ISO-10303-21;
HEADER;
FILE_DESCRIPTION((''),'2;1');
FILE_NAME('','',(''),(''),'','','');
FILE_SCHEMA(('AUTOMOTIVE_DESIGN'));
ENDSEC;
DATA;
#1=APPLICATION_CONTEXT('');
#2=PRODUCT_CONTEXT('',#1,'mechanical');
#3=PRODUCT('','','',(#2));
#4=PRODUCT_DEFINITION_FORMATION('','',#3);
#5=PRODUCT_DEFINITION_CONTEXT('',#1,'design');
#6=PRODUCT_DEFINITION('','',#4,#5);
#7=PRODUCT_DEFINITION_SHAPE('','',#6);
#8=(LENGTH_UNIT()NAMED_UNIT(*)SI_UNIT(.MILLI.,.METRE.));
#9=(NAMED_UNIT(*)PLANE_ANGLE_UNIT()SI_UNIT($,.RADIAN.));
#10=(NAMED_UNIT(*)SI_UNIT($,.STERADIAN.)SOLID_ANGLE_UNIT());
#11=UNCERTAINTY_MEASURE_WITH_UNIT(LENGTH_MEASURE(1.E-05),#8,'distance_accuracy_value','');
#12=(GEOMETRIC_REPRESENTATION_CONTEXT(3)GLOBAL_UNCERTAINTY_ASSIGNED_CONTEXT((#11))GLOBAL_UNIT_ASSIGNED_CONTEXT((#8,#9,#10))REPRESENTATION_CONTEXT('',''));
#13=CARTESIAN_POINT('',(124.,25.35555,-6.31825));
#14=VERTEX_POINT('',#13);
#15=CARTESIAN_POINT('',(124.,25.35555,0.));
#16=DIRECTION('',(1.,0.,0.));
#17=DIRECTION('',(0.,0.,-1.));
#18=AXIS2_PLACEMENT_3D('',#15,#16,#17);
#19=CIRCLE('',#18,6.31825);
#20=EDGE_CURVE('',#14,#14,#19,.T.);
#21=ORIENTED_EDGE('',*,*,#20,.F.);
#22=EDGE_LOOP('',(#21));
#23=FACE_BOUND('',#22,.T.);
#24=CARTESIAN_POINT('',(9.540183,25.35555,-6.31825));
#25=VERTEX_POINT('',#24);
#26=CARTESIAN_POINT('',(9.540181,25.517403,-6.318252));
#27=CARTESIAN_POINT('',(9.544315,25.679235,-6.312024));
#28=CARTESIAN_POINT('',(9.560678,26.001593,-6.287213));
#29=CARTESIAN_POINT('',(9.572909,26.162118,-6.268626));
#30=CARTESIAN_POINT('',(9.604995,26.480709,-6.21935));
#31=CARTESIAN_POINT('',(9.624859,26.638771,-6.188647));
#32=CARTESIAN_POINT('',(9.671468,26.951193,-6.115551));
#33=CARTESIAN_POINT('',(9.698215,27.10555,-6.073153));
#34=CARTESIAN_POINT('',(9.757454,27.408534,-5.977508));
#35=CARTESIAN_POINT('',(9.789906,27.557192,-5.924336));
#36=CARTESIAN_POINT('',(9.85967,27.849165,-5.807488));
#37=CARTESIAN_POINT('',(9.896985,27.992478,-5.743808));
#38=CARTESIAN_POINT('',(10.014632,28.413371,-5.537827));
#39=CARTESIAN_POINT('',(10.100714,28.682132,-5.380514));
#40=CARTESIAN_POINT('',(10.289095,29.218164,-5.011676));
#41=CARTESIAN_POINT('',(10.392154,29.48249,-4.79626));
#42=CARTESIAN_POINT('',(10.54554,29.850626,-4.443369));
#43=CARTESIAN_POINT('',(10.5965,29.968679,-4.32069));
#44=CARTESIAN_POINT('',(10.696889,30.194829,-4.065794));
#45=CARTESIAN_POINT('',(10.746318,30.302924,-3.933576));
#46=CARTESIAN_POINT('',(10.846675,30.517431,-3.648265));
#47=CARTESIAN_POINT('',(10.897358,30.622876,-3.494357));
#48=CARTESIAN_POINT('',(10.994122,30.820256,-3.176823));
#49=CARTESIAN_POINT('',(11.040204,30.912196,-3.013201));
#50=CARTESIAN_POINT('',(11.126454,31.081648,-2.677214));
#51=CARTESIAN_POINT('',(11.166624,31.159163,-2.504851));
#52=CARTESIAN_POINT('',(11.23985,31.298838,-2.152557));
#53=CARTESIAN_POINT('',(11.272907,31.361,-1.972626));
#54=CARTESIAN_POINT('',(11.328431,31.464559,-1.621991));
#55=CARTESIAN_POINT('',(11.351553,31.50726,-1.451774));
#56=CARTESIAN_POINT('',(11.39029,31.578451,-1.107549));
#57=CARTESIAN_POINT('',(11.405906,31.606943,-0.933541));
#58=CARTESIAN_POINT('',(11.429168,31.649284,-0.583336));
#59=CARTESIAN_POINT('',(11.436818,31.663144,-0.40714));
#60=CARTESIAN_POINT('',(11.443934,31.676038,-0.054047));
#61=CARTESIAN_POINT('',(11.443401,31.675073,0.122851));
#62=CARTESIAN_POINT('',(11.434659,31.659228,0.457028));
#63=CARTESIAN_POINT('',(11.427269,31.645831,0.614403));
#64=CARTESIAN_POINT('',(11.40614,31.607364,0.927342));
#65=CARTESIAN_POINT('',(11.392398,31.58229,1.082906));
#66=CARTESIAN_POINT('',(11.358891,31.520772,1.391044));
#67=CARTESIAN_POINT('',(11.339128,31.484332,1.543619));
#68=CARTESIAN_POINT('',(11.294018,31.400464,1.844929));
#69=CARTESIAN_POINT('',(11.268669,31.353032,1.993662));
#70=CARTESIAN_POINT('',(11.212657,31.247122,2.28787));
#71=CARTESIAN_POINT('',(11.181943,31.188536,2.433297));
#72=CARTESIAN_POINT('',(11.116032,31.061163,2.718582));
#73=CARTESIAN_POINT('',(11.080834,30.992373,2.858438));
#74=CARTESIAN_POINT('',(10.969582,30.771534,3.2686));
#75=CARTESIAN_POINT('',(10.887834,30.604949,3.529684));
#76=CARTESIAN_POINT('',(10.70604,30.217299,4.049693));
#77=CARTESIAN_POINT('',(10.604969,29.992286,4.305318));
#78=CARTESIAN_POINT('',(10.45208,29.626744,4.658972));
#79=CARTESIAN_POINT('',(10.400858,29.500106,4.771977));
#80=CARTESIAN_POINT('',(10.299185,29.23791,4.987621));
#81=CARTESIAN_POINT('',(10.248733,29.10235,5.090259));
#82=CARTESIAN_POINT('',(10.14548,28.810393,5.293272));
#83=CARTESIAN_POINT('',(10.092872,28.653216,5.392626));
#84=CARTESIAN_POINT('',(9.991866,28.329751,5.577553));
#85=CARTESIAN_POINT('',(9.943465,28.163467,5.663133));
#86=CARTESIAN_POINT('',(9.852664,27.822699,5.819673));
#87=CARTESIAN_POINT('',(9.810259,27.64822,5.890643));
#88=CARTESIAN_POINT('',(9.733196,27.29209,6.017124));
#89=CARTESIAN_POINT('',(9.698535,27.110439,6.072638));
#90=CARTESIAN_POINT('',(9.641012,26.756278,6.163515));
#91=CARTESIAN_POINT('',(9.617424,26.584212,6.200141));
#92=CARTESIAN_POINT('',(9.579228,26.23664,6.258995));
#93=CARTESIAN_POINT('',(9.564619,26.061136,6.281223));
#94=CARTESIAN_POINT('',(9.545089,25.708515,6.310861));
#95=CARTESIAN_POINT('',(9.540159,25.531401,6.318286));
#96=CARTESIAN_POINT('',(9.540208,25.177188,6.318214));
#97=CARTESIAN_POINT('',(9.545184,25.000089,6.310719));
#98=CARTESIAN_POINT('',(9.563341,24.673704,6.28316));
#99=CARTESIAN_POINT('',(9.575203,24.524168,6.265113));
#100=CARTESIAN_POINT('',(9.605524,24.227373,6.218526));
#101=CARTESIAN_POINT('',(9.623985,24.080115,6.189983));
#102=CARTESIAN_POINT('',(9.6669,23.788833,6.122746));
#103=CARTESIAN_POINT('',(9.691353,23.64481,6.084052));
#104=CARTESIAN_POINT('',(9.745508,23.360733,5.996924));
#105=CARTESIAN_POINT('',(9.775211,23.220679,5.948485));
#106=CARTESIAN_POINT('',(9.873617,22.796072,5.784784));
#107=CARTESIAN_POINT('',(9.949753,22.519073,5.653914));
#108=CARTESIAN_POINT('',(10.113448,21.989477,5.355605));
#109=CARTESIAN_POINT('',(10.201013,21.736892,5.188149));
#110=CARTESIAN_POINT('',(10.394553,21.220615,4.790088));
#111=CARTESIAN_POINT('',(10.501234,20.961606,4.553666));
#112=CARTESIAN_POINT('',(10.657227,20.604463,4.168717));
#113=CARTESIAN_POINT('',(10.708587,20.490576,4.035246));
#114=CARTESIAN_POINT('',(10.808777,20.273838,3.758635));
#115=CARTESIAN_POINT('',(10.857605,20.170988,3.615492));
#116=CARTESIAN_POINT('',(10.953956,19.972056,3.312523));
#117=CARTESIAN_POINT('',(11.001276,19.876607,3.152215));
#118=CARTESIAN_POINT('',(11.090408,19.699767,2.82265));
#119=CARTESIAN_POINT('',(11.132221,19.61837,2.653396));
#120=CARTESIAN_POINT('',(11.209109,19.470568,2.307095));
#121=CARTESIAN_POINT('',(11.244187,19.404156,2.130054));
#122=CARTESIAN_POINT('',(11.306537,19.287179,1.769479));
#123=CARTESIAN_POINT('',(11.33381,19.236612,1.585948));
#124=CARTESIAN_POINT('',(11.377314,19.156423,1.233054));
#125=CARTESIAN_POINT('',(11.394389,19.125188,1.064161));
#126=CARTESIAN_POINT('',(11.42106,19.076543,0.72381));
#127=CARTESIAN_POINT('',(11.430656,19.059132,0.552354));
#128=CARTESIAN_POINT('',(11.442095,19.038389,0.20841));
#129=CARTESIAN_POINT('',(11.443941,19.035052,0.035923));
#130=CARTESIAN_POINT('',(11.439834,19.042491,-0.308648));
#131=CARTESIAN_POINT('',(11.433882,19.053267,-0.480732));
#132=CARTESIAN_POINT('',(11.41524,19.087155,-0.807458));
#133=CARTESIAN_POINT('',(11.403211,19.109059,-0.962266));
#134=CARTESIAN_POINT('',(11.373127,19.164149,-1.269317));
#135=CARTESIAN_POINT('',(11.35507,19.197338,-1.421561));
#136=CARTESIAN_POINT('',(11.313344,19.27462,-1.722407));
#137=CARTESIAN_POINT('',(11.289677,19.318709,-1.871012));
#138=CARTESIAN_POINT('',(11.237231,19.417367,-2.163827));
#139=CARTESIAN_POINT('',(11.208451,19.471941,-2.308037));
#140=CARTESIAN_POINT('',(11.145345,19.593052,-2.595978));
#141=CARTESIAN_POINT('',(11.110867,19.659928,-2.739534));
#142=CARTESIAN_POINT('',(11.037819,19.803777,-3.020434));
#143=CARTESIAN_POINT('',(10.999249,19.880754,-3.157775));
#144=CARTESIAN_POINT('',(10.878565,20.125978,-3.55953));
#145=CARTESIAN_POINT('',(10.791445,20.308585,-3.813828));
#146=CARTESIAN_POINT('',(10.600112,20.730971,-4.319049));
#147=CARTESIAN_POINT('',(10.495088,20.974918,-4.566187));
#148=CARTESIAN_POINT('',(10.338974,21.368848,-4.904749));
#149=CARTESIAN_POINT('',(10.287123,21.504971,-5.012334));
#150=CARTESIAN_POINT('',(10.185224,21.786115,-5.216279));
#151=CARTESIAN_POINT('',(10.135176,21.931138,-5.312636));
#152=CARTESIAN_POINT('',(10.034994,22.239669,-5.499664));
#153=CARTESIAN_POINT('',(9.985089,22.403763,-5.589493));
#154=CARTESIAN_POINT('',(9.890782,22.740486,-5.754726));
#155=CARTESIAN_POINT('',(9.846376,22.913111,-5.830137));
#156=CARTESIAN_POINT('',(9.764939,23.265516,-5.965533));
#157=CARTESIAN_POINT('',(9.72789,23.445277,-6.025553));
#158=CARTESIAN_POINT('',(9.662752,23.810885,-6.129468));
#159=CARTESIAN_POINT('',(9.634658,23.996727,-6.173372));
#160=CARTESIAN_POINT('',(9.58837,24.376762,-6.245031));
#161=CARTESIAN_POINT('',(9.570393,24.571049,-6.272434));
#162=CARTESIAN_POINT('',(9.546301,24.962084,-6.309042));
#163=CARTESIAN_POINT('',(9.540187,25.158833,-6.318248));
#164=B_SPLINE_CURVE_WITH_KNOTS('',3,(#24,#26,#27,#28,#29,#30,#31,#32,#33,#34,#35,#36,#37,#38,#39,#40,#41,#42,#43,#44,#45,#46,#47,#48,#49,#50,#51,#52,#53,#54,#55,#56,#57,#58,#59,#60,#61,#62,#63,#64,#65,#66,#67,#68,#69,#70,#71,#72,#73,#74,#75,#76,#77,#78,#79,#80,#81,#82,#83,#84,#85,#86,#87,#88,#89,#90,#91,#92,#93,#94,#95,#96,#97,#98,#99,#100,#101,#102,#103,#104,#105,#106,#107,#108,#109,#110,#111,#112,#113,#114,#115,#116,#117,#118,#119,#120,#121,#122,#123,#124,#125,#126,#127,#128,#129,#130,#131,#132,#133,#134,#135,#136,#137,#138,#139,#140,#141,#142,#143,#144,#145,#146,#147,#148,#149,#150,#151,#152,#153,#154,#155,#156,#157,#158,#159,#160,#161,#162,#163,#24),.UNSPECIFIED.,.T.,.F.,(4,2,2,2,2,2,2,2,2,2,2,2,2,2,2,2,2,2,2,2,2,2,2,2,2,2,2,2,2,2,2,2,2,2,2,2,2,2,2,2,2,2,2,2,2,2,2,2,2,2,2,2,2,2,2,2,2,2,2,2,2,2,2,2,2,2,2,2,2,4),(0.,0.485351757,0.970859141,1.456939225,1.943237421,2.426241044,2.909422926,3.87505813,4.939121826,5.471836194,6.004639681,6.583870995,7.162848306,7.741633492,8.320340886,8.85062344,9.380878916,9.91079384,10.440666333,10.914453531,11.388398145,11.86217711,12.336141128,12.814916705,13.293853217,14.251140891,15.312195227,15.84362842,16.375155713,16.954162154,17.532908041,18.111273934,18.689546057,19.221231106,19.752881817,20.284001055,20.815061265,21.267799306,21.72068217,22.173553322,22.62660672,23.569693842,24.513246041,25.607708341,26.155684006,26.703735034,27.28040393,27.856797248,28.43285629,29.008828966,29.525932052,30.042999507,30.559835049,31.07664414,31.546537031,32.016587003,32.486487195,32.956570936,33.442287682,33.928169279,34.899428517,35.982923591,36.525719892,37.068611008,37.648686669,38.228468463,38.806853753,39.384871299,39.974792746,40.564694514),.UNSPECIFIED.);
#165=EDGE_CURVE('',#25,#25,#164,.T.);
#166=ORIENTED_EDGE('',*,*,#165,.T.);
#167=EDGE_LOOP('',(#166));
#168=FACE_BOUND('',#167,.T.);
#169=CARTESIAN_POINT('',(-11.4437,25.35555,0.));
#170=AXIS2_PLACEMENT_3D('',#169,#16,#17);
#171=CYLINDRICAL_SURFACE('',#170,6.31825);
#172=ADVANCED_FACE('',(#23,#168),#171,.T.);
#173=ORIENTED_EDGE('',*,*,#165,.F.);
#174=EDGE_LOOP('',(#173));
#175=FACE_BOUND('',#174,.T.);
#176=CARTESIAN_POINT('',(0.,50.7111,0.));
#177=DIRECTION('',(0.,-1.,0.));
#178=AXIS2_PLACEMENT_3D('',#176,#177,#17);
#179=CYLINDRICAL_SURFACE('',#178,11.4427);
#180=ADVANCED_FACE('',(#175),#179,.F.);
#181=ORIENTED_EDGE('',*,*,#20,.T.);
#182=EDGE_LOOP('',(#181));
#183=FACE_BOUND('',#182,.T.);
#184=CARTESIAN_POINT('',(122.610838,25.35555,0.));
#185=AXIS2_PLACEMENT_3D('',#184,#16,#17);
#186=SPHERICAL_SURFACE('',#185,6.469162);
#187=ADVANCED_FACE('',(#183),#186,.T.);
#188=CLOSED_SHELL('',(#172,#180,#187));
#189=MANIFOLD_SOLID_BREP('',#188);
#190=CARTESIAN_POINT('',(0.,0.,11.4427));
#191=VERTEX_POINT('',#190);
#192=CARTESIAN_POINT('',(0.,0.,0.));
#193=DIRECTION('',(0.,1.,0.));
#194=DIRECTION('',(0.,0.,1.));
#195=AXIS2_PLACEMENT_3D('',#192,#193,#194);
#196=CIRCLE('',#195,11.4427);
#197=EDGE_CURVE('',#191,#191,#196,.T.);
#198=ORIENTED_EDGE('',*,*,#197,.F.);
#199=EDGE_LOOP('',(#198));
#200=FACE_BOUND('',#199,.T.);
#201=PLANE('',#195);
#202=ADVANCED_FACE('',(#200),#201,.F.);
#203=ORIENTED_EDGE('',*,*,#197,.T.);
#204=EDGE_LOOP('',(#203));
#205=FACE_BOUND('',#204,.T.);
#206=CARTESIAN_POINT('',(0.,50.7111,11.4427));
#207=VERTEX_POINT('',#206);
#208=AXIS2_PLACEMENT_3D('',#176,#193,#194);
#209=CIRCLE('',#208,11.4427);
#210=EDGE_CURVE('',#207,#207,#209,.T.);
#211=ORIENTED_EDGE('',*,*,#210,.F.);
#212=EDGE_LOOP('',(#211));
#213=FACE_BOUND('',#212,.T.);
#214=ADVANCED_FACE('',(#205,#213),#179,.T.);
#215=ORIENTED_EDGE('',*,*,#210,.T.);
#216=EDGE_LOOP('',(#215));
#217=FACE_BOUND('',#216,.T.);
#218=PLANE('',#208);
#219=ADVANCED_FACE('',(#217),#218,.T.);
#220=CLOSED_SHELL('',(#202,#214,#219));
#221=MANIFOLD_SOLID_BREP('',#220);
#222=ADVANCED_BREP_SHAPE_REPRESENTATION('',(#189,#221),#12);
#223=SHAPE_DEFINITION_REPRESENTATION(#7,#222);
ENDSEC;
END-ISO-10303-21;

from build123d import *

# Parameters (mm, degrees)
SKETCH2_R                = 11.4427
BOSS_EXTRUDE1_DEPTH      = 50.7111
BOSS_EXTRUDE2_REACH      = 179.231
BOSS_EXTRUDE2_END_RADIUS = 11.4427
BOSS_EXTRUDE2_START      = 124
SKETCH3_R                = 6.31825
DOME1_FACE_RADIUS        = 6.31825
DOME1_HEIGHT             = 5.08


with BuildPart() as part:
    # Sketch2 → Boss-Extrude1 (new body)
    with BuildSketch(Plane(origin=(0, 0, 0), x_dir=(1, 0, 0), z_dir=(0, 1, 0))):
        with Locations(Location((0, 0, 0), (0, 0, 270))):
            Circle(SKETCH2_R)
    extrude(amount=BOSS_EXTRUDE1_DEPTH)


with BuildPart() as body_2:
    # Boss-Extrude2: up to this cylinder (the profile starts outside it)
    boss_extrude2_end = Plane(origin=(0, 25.35555, 0), z_dir=(0, -1, 0)) * Cylinder(BOSS_EXTRUDE2_END_RADIUS, 382.3474, mode=Mode.PRIVATE)
    # Sketch3 → Boss-Extrude2 (new, up to the surface)
    with BuildSketch(Plane(origin=(0, 0, 0), x_dir=(0, 0, -1), z_dir=(1, 0, 0)).offset(BOSS_EXTRUDE2_START), mode=Mode.PRIVATE) as boss_extrude2_sk1:
        with Locations((0, 25.35555)):
            Circle(SKETCH3_R)
    boss_extrude2_tool1 = extrude(boss_extrude2_sk1.sketch, amount=-BOSS_EXTRUDE2_REACH, mode=Mode.PRIVATE) - boss_extrude2_end
    add(boss_extrude2_tool1.solids().sort_by_distance((124, 25.35555, 0))[0])

    # Dome1: a dome of height H over a round flat face of radius A is a cap of a sphere of radius (A * A + H * H) / (2 * H)
    dome1_r = (DOME1_FACE_RADIUS * DOME1_FACE_RADIUS + DOME1_HEIGHT * DOME1_HEIGHT) / (2 * DOME1_HEIGHT)
    dome1_base = Plane((124, 25.35555, 0), z_dir=(1, 0, 0))
    with Locations(dome1_base.offset(DOME1_HEIGHT - dome1_r)):
        dome1_ball = Sphere(dome1_r, mode=Mode.PRIVATE)
    add(split(dome1_ball, bisect_by=dome1_base, keep=Keep.TOP, mode=Mode.PRIVATE))


solid = Compound([part.part, body_2.part])
